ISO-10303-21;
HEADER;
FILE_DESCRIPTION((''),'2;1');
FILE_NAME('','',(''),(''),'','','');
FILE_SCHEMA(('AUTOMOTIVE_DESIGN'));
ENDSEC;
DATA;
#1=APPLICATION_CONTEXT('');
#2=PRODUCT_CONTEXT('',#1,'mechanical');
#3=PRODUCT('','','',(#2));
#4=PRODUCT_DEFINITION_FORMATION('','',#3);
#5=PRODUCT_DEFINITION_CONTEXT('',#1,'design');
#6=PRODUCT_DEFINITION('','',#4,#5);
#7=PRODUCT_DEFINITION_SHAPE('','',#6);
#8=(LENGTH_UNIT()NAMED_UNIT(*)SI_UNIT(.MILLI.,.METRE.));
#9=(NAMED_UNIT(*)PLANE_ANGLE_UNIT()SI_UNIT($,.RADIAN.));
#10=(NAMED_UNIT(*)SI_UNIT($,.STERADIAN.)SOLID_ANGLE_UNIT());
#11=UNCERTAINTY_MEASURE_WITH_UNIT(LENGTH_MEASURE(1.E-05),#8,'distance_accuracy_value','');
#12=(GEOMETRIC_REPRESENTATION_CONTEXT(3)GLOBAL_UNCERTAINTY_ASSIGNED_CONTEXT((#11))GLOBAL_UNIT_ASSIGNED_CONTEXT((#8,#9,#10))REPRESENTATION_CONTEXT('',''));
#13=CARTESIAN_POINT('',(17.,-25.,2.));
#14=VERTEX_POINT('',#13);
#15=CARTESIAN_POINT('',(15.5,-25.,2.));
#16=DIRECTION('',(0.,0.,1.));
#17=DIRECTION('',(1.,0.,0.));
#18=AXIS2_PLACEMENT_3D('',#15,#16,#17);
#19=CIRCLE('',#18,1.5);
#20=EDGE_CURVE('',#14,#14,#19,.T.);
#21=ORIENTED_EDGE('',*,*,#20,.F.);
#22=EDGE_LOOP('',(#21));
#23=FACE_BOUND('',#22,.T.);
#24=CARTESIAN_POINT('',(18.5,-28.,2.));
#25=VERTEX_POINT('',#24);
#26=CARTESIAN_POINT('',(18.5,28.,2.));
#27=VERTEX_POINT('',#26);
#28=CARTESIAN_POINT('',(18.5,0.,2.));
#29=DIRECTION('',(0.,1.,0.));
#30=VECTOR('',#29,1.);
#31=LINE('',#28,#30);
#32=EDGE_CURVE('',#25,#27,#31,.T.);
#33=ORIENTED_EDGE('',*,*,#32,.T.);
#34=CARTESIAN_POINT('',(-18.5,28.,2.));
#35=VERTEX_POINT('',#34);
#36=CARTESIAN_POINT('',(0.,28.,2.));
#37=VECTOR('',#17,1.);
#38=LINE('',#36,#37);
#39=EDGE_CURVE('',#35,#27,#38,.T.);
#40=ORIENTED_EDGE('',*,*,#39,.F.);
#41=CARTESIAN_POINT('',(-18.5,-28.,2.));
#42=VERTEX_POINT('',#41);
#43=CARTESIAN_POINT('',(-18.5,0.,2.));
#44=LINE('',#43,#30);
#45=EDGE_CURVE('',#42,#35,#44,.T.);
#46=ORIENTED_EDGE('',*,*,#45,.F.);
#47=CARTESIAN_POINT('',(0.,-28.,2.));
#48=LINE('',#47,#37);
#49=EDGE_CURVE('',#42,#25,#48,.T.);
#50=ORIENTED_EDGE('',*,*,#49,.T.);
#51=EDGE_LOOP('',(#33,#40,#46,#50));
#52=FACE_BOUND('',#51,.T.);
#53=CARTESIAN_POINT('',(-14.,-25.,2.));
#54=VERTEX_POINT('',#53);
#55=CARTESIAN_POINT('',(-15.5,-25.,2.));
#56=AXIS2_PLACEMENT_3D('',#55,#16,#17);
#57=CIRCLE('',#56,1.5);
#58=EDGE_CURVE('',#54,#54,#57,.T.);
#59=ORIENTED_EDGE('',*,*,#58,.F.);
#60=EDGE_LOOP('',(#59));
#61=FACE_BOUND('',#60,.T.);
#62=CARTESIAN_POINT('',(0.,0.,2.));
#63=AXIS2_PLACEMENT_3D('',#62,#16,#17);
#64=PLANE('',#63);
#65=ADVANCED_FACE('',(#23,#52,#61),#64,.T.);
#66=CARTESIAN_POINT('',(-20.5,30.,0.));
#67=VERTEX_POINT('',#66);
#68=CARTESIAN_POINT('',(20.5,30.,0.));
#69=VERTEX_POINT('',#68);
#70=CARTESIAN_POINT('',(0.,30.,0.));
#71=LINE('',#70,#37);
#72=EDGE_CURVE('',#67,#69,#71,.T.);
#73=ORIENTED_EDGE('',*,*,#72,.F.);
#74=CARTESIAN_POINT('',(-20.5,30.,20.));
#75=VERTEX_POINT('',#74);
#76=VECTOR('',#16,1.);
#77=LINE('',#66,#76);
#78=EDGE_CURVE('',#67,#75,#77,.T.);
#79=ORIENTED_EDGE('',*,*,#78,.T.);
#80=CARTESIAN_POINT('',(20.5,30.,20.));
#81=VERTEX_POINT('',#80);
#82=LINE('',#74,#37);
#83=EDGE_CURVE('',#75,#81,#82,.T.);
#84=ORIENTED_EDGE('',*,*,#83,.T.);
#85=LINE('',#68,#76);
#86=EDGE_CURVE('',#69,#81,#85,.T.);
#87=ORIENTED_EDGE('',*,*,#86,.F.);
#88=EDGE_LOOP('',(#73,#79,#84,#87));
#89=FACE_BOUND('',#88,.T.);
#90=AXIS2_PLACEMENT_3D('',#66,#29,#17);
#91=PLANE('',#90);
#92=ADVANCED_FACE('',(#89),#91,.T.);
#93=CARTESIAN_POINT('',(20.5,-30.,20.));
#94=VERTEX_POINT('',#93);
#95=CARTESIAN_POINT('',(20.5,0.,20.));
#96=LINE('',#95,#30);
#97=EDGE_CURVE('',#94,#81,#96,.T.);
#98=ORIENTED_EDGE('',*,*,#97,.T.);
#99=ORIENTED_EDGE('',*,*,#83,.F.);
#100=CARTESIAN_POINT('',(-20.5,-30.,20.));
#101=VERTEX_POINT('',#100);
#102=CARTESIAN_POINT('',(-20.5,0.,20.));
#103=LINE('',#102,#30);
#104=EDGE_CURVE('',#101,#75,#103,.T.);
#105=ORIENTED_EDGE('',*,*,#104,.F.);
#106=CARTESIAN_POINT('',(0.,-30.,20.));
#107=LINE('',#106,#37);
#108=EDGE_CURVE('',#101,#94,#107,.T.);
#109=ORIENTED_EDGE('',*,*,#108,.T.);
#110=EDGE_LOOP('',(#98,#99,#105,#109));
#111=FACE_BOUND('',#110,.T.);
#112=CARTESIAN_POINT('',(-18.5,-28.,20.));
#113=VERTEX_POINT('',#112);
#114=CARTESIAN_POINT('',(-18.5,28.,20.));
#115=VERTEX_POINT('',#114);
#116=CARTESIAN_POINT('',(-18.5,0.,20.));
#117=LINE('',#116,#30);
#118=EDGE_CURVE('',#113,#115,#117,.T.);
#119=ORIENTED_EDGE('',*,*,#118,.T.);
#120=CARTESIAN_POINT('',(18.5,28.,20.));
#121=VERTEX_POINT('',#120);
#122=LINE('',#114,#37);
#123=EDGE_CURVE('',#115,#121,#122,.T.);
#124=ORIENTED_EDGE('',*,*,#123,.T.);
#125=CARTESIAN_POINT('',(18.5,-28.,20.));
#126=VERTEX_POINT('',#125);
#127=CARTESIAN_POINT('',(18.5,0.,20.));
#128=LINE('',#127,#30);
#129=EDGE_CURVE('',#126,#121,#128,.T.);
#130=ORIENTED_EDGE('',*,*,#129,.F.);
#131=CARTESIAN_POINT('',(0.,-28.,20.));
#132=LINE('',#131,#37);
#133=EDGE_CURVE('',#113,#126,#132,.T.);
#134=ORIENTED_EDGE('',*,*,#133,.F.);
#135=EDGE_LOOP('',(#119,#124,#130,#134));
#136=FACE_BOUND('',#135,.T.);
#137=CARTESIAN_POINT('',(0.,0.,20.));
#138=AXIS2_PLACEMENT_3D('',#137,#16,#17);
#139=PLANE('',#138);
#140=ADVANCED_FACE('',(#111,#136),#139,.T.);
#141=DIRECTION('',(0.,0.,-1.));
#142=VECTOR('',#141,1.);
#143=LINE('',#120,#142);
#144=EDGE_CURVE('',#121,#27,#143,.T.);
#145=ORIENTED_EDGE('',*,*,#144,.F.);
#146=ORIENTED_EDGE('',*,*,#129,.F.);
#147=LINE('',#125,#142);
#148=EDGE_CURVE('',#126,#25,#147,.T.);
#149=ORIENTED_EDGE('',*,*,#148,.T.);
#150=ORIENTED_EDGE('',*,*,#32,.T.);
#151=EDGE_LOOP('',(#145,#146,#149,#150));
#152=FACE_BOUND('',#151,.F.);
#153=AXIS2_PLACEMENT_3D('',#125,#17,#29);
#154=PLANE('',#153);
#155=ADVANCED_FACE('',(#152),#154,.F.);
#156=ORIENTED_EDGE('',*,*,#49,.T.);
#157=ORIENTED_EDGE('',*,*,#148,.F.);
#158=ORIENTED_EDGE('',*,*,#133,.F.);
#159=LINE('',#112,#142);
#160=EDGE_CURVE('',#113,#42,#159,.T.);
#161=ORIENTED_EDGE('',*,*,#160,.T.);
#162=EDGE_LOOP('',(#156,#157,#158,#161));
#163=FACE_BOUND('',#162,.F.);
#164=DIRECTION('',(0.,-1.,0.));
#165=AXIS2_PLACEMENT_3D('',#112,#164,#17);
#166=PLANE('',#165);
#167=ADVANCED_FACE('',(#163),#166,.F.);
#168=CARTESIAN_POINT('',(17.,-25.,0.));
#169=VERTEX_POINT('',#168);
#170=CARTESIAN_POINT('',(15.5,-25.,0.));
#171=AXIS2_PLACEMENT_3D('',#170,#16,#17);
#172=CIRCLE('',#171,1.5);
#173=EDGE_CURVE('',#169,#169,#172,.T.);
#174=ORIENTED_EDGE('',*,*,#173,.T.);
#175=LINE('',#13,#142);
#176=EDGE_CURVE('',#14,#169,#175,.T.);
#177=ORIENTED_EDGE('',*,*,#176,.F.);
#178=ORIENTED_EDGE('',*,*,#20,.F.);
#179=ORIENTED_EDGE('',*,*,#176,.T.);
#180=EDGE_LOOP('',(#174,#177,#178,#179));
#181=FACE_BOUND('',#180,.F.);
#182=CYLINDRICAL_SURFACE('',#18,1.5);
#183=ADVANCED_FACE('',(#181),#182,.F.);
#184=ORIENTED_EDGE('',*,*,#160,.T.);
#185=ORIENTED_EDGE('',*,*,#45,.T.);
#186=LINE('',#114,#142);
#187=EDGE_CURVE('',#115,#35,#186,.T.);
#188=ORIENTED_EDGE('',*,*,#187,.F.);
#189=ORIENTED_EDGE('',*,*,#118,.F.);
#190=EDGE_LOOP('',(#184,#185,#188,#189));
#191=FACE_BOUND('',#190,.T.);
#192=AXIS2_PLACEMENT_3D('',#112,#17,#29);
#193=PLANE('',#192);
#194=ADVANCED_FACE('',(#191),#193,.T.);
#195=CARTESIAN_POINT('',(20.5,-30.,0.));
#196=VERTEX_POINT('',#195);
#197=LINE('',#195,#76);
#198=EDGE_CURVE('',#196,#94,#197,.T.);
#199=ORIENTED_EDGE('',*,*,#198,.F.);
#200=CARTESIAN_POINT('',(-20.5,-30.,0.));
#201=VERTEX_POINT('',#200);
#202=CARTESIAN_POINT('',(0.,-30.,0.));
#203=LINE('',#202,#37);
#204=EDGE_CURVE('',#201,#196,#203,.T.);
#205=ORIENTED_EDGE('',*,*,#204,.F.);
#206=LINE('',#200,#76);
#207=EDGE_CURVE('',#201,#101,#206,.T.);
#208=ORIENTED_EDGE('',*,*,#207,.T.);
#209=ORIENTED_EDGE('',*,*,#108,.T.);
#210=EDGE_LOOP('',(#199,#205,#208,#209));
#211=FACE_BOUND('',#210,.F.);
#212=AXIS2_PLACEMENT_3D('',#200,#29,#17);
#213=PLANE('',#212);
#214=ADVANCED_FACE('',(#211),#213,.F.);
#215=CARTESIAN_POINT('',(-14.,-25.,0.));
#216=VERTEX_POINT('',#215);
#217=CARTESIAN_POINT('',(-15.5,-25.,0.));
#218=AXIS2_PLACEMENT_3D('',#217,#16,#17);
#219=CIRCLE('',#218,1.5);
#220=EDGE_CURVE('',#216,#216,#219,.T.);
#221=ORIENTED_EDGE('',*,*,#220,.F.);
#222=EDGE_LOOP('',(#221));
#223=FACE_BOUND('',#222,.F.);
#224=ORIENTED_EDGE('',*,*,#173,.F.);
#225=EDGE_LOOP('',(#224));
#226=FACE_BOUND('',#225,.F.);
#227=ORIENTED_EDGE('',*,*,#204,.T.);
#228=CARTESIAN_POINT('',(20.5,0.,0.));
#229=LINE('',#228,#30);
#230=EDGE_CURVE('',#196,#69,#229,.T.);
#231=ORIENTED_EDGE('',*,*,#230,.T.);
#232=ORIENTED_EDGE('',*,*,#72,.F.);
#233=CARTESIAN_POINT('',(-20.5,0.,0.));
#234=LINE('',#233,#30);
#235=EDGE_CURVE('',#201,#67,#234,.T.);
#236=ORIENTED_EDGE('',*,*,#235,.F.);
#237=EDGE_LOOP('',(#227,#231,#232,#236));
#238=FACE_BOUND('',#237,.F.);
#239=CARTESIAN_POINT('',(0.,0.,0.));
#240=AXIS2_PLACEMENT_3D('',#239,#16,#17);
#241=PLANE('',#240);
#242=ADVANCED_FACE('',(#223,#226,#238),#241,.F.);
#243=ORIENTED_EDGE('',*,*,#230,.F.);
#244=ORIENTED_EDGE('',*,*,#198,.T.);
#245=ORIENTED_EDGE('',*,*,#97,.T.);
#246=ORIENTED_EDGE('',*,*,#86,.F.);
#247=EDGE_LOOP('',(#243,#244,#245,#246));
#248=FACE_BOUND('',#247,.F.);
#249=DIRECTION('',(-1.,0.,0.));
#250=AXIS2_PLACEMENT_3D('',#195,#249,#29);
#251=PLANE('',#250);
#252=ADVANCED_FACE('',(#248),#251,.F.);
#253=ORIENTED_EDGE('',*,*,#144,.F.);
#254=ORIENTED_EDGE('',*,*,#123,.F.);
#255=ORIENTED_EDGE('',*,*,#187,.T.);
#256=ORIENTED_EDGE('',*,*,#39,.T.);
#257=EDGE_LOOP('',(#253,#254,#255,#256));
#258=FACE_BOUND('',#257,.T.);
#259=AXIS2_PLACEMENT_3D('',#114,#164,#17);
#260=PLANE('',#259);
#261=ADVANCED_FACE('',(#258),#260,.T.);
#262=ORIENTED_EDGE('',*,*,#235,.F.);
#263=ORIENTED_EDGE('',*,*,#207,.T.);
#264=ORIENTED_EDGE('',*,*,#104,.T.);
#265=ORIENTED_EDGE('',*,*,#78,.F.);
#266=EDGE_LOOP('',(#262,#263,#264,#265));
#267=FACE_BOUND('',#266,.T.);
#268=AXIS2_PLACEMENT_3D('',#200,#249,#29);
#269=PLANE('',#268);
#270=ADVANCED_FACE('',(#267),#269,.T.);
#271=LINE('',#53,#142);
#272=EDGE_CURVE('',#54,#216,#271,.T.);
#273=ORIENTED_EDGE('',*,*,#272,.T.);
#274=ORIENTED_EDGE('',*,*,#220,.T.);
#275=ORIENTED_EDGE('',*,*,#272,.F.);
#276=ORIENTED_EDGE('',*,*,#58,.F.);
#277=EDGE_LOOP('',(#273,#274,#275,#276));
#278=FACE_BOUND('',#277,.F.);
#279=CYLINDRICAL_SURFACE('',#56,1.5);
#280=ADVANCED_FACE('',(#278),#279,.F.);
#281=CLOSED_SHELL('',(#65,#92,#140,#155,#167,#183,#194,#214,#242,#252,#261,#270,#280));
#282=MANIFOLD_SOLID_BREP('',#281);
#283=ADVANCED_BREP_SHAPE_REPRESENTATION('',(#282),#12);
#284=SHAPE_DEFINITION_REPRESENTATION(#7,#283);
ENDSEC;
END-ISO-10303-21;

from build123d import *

# Parameters (mm, degrees)
F0_W     = 41
F0_H     = 60
F1_DEPTH = 20
F2_W     = 37
F2_H     = 56
F3_DEPTH = 18
F5_W     = 6
F5_H     = 1.076952
F6_DEPTH = 2
F7_R     = 1.5
F8_DEPTH = 2


with BuildPart() as f1:
    # F0 (on Top) → F1 (new body)
    with BuildSketch(Plane.XY):
        Rectangle(F0_W, F0_H)
    extrude(amount=F1_DEPTH)

    # F2 (on face) → F3 (cut)
    with BuildSketch(Plane.XY.offset(20)):
        Rectangle(F2_W, F2_H)
    extrude(amount=-F3_DEPTH, mode=Mode.SUBTRACT)

    # F5 (on face) → F6 (cut)
    with BuildSketch(Plane.XZ.offset(-28)):
        with Locations((-11.5, 20.538476)):
            Rectangle(F5_W, F5_H)
    extrude(amount=-F6_DEPTH, mode=Mode.SUBTRACT)

    # F7 (on face) → F8 (cut)
    with BuildSketch(Plane.XY.offset(2)):
        with Locations((15.5, -25)):
            Circle(F7_R)
        with Locations((-15.5, -25)):
            Circle(F7_R)
    extrude(amount=-F8_DEPTH, mode=Mode.SUBTRACT)


solid = f1.part
